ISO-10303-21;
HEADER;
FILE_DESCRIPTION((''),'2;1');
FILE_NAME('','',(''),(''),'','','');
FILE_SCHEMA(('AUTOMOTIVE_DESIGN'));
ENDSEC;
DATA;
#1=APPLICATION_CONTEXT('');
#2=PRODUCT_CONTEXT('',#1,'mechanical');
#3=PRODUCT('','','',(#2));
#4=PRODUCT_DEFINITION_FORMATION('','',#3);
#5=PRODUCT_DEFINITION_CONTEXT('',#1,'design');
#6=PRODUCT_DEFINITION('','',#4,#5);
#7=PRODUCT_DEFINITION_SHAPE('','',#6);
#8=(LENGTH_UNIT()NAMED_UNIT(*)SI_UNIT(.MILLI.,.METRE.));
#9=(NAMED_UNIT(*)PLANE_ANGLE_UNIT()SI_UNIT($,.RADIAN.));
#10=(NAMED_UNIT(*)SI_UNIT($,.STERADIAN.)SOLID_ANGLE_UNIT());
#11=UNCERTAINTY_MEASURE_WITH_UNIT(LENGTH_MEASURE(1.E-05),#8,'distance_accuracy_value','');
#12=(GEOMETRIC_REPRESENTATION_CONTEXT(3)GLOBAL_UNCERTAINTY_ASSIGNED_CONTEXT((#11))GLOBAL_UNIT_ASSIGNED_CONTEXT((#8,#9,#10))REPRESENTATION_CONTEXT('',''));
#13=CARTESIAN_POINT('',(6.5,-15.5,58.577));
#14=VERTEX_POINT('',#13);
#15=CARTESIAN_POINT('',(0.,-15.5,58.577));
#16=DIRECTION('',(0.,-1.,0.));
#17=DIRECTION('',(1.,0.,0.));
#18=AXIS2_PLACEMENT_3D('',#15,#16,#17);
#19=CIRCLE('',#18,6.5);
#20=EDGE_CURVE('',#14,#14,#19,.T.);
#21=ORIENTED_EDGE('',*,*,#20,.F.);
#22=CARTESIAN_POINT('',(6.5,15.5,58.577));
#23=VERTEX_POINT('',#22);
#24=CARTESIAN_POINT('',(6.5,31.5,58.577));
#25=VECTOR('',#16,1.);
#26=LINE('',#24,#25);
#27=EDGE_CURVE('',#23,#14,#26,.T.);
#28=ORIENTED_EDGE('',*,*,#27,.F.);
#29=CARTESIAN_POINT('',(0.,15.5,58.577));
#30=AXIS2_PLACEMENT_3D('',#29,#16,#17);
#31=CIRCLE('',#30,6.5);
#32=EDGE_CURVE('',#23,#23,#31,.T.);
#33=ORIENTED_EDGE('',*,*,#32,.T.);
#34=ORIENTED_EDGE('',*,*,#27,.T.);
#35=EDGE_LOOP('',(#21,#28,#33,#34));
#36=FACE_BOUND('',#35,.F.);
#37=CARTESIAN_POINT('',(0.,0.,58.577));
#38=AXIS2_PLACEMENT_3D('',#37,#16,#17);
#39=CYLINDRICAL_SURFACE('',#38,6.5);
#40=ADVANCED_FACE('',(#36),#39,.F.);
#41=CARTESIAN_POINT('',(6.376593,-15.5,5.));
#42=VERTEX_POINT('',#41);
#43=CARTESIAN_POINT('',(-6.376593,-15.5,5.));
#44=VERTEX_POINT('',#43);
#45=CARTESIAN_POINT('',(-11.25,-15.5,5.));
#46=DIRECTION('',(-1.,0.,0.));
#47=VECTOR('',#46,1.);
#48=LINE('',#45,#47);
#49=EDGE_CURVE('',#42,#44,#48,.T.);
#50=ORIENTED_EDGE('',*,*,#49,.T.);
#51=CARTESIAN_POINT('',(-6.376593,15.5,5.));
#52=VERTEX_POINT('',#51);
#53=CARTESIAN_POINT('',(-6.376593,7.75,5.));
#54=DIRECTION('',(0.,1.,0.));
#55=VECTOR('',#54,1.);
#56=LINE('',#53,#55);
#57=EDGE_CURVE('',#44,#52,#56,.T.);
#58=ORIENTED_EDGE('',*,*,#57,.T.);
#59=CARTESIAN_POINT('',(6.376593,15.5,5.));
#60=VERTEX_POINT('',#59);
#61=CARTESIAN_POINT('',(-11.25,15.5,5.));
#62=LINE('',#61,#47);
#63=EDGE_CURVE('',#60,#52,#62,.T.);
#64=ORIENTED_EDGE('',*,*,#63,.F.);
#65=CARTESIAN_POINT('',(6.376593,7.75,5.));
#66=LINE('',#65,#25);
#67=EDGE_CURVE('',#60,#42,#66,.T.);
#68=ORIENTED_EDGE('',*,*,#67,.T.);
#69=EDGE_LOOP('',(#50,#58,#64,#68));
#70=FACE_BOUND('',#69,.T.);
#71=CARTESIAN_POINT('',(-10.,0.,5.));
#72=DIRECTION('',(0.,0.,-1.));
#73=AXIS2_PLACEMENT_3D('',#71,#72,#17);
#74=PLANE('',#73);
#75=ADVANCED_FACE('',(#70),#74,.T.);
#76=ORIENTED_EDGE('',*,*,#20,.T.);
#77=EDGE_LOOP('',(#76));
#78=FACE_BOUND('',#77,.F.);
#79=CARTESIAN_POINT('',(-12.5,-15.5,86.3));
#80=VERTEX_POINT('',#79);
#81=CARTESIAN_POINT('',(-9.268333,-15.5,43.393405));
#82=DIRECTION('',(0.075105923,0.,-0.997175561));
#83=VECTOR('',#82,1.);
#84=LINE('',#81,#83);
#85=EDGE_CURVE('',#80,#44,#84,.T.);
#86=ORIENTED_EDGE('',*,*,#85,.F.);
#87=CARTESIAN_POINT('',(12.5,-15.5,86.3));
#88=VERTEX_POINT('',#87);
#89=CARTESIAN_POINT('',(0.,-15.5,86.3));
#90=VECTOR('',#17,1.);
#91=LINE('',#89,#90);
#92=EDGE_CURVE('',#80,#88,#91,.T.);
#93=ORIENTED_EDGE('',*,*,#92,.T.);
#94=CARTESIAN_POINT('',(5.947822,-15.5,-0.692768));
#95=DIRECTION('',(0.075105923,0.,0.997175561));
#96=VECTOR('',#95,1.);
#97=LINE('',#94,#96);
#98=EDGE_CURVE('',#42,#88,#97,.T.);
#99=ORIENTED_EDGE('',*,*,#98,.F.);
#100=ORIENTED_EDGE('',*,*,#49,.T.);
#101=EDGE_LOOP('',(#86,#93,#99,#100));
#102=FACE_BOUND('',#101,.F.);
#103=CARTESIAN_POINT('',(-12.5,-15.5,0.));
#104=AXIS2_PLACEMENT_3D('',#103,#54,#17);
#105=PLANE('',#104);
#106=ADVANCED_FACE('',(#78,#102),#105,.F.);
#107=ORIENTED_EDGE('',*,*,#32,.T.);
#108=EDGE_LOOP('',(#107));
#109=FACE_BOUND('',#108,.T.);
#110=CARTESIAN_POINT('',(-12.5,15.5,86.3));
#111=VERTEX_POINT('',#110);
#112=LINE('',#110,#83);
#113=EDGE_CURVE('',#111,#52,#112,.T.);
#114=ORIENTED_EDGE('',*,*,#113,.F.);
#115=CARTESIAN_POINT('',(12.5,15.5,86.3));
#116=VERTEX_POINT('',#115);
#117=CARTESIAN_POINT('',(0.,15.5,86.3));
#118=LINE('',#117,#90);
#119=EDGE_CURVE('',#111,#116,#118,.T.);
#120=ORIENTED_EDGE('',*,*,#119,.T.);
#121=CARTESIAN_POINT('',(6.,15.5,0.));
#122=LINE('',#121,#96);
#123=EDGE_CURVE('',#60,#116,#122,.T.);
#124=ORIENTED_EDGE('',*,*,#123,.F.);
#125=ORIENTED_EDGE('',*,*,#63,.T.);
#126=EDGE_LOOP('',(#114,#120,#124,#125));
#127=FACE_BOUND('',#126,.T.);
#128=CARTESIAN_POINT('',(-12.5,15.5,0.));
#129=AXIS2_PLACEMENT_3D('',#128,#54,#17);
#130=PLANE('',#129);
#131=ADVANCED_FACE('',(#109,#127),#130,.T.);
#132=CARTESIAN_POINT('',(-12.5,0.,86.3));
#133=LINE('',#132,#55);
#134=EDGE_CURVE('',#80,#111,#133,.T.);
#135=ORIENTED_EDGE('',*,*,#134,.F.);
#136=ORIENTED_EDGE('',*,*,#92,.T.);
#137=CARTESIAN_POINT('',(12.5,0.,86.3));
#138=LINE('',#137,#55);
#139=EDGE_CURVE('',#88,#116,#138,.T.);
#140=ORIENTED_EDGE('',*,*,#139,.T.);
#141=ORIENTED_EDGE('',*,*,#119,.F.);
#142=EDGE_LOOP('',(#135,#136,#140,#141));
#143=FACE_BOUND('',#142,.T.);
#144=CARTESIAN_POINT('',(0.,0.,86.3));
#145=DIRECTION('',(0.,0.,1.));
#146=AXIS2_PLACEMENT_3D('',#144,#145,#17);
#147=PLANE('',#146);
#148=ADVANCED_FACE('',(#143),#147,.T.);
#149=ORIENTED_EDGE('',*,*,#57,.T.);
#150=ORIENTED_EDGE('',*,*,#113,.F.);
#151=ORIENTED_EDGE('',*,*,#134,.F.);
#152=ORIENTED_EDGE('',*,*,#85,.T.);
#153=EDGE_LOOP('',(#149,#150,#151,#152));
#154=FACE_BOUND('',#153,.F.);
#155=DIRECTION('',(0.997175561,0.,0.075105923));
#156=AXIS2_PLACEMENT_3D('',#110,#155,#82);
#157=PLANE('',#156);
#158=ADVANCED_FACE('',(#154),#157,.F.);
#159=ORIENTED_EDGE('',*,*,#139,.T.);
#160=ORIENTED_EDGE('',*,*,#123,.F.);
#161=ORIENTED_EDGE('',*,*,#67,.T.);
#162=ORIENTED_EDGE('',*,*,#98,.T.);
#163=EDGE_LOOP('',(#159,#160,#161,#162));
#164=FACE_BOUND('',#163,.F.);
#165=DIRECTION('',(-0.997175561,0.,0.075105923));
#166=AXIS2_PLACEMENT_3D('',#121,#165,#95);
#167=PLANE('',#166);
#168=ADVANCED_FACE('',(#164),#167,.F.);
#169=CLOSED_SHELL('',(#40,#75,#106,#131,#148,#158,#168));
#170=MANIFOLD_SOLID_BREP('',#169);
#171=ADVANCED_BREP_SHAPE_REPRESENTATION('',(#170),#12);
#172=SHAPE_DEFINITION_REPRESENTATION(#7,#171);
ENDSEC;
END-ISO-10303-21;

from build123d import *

# Parameters (mm, degrees)
F0_W     = 25
F0_H     = 31
F1_DEPTH = 86.3
F2_R     = 6.5
F3_DEPTH = 31.5
F5_DEPTH = 31.001
F6_W     = 20
F6_H     = 5
F7_DEPTH = 50


with BuildPart() as f1:
    # F0 (on Top) → F1 (new body)
    with BuildSketch(Plane.XY):
        Rectangle(F0_W, F0_H)
    extrude(amount=F1_DEPTH)

    # F2 (on Front) → F3 (cut, symmetric)
    with BuildSketch(Plane.XZ):
        with Locations((0, 58.577)):
            Circle(F2_R)
    extrude(amount=F3_DEPTH, both=True, mode=Mode.SUBTRACT)

    # F4 (on face) → F5 (cut, through all)
    with BuildSketch(Plane(origin=(0, 15.5, 0), x_dir=(-1, 0, 0), z_dir=(0, 1, 0))):
        Polygon((12.5, 0), (12.5, 86.3), (6, 0), align=None)
        Polygon((-6, 0), (-12.5, 86.3), (-12.5, 0), align=None)
    extrude(amount=-F5_DEPTH, mode=Mode.SUBTRACT)

    # F6 (on Front) → F7 (cut, symmetric)
    with BuildSketch(Plane.XZ):
        with Locations((0, 2.5)):
            Rectangle(F6_W, F6_H)
    extrude(amount=F7_DEPTH, both=True, mode=Mode.SUBTRACT)


solid = f1.part
